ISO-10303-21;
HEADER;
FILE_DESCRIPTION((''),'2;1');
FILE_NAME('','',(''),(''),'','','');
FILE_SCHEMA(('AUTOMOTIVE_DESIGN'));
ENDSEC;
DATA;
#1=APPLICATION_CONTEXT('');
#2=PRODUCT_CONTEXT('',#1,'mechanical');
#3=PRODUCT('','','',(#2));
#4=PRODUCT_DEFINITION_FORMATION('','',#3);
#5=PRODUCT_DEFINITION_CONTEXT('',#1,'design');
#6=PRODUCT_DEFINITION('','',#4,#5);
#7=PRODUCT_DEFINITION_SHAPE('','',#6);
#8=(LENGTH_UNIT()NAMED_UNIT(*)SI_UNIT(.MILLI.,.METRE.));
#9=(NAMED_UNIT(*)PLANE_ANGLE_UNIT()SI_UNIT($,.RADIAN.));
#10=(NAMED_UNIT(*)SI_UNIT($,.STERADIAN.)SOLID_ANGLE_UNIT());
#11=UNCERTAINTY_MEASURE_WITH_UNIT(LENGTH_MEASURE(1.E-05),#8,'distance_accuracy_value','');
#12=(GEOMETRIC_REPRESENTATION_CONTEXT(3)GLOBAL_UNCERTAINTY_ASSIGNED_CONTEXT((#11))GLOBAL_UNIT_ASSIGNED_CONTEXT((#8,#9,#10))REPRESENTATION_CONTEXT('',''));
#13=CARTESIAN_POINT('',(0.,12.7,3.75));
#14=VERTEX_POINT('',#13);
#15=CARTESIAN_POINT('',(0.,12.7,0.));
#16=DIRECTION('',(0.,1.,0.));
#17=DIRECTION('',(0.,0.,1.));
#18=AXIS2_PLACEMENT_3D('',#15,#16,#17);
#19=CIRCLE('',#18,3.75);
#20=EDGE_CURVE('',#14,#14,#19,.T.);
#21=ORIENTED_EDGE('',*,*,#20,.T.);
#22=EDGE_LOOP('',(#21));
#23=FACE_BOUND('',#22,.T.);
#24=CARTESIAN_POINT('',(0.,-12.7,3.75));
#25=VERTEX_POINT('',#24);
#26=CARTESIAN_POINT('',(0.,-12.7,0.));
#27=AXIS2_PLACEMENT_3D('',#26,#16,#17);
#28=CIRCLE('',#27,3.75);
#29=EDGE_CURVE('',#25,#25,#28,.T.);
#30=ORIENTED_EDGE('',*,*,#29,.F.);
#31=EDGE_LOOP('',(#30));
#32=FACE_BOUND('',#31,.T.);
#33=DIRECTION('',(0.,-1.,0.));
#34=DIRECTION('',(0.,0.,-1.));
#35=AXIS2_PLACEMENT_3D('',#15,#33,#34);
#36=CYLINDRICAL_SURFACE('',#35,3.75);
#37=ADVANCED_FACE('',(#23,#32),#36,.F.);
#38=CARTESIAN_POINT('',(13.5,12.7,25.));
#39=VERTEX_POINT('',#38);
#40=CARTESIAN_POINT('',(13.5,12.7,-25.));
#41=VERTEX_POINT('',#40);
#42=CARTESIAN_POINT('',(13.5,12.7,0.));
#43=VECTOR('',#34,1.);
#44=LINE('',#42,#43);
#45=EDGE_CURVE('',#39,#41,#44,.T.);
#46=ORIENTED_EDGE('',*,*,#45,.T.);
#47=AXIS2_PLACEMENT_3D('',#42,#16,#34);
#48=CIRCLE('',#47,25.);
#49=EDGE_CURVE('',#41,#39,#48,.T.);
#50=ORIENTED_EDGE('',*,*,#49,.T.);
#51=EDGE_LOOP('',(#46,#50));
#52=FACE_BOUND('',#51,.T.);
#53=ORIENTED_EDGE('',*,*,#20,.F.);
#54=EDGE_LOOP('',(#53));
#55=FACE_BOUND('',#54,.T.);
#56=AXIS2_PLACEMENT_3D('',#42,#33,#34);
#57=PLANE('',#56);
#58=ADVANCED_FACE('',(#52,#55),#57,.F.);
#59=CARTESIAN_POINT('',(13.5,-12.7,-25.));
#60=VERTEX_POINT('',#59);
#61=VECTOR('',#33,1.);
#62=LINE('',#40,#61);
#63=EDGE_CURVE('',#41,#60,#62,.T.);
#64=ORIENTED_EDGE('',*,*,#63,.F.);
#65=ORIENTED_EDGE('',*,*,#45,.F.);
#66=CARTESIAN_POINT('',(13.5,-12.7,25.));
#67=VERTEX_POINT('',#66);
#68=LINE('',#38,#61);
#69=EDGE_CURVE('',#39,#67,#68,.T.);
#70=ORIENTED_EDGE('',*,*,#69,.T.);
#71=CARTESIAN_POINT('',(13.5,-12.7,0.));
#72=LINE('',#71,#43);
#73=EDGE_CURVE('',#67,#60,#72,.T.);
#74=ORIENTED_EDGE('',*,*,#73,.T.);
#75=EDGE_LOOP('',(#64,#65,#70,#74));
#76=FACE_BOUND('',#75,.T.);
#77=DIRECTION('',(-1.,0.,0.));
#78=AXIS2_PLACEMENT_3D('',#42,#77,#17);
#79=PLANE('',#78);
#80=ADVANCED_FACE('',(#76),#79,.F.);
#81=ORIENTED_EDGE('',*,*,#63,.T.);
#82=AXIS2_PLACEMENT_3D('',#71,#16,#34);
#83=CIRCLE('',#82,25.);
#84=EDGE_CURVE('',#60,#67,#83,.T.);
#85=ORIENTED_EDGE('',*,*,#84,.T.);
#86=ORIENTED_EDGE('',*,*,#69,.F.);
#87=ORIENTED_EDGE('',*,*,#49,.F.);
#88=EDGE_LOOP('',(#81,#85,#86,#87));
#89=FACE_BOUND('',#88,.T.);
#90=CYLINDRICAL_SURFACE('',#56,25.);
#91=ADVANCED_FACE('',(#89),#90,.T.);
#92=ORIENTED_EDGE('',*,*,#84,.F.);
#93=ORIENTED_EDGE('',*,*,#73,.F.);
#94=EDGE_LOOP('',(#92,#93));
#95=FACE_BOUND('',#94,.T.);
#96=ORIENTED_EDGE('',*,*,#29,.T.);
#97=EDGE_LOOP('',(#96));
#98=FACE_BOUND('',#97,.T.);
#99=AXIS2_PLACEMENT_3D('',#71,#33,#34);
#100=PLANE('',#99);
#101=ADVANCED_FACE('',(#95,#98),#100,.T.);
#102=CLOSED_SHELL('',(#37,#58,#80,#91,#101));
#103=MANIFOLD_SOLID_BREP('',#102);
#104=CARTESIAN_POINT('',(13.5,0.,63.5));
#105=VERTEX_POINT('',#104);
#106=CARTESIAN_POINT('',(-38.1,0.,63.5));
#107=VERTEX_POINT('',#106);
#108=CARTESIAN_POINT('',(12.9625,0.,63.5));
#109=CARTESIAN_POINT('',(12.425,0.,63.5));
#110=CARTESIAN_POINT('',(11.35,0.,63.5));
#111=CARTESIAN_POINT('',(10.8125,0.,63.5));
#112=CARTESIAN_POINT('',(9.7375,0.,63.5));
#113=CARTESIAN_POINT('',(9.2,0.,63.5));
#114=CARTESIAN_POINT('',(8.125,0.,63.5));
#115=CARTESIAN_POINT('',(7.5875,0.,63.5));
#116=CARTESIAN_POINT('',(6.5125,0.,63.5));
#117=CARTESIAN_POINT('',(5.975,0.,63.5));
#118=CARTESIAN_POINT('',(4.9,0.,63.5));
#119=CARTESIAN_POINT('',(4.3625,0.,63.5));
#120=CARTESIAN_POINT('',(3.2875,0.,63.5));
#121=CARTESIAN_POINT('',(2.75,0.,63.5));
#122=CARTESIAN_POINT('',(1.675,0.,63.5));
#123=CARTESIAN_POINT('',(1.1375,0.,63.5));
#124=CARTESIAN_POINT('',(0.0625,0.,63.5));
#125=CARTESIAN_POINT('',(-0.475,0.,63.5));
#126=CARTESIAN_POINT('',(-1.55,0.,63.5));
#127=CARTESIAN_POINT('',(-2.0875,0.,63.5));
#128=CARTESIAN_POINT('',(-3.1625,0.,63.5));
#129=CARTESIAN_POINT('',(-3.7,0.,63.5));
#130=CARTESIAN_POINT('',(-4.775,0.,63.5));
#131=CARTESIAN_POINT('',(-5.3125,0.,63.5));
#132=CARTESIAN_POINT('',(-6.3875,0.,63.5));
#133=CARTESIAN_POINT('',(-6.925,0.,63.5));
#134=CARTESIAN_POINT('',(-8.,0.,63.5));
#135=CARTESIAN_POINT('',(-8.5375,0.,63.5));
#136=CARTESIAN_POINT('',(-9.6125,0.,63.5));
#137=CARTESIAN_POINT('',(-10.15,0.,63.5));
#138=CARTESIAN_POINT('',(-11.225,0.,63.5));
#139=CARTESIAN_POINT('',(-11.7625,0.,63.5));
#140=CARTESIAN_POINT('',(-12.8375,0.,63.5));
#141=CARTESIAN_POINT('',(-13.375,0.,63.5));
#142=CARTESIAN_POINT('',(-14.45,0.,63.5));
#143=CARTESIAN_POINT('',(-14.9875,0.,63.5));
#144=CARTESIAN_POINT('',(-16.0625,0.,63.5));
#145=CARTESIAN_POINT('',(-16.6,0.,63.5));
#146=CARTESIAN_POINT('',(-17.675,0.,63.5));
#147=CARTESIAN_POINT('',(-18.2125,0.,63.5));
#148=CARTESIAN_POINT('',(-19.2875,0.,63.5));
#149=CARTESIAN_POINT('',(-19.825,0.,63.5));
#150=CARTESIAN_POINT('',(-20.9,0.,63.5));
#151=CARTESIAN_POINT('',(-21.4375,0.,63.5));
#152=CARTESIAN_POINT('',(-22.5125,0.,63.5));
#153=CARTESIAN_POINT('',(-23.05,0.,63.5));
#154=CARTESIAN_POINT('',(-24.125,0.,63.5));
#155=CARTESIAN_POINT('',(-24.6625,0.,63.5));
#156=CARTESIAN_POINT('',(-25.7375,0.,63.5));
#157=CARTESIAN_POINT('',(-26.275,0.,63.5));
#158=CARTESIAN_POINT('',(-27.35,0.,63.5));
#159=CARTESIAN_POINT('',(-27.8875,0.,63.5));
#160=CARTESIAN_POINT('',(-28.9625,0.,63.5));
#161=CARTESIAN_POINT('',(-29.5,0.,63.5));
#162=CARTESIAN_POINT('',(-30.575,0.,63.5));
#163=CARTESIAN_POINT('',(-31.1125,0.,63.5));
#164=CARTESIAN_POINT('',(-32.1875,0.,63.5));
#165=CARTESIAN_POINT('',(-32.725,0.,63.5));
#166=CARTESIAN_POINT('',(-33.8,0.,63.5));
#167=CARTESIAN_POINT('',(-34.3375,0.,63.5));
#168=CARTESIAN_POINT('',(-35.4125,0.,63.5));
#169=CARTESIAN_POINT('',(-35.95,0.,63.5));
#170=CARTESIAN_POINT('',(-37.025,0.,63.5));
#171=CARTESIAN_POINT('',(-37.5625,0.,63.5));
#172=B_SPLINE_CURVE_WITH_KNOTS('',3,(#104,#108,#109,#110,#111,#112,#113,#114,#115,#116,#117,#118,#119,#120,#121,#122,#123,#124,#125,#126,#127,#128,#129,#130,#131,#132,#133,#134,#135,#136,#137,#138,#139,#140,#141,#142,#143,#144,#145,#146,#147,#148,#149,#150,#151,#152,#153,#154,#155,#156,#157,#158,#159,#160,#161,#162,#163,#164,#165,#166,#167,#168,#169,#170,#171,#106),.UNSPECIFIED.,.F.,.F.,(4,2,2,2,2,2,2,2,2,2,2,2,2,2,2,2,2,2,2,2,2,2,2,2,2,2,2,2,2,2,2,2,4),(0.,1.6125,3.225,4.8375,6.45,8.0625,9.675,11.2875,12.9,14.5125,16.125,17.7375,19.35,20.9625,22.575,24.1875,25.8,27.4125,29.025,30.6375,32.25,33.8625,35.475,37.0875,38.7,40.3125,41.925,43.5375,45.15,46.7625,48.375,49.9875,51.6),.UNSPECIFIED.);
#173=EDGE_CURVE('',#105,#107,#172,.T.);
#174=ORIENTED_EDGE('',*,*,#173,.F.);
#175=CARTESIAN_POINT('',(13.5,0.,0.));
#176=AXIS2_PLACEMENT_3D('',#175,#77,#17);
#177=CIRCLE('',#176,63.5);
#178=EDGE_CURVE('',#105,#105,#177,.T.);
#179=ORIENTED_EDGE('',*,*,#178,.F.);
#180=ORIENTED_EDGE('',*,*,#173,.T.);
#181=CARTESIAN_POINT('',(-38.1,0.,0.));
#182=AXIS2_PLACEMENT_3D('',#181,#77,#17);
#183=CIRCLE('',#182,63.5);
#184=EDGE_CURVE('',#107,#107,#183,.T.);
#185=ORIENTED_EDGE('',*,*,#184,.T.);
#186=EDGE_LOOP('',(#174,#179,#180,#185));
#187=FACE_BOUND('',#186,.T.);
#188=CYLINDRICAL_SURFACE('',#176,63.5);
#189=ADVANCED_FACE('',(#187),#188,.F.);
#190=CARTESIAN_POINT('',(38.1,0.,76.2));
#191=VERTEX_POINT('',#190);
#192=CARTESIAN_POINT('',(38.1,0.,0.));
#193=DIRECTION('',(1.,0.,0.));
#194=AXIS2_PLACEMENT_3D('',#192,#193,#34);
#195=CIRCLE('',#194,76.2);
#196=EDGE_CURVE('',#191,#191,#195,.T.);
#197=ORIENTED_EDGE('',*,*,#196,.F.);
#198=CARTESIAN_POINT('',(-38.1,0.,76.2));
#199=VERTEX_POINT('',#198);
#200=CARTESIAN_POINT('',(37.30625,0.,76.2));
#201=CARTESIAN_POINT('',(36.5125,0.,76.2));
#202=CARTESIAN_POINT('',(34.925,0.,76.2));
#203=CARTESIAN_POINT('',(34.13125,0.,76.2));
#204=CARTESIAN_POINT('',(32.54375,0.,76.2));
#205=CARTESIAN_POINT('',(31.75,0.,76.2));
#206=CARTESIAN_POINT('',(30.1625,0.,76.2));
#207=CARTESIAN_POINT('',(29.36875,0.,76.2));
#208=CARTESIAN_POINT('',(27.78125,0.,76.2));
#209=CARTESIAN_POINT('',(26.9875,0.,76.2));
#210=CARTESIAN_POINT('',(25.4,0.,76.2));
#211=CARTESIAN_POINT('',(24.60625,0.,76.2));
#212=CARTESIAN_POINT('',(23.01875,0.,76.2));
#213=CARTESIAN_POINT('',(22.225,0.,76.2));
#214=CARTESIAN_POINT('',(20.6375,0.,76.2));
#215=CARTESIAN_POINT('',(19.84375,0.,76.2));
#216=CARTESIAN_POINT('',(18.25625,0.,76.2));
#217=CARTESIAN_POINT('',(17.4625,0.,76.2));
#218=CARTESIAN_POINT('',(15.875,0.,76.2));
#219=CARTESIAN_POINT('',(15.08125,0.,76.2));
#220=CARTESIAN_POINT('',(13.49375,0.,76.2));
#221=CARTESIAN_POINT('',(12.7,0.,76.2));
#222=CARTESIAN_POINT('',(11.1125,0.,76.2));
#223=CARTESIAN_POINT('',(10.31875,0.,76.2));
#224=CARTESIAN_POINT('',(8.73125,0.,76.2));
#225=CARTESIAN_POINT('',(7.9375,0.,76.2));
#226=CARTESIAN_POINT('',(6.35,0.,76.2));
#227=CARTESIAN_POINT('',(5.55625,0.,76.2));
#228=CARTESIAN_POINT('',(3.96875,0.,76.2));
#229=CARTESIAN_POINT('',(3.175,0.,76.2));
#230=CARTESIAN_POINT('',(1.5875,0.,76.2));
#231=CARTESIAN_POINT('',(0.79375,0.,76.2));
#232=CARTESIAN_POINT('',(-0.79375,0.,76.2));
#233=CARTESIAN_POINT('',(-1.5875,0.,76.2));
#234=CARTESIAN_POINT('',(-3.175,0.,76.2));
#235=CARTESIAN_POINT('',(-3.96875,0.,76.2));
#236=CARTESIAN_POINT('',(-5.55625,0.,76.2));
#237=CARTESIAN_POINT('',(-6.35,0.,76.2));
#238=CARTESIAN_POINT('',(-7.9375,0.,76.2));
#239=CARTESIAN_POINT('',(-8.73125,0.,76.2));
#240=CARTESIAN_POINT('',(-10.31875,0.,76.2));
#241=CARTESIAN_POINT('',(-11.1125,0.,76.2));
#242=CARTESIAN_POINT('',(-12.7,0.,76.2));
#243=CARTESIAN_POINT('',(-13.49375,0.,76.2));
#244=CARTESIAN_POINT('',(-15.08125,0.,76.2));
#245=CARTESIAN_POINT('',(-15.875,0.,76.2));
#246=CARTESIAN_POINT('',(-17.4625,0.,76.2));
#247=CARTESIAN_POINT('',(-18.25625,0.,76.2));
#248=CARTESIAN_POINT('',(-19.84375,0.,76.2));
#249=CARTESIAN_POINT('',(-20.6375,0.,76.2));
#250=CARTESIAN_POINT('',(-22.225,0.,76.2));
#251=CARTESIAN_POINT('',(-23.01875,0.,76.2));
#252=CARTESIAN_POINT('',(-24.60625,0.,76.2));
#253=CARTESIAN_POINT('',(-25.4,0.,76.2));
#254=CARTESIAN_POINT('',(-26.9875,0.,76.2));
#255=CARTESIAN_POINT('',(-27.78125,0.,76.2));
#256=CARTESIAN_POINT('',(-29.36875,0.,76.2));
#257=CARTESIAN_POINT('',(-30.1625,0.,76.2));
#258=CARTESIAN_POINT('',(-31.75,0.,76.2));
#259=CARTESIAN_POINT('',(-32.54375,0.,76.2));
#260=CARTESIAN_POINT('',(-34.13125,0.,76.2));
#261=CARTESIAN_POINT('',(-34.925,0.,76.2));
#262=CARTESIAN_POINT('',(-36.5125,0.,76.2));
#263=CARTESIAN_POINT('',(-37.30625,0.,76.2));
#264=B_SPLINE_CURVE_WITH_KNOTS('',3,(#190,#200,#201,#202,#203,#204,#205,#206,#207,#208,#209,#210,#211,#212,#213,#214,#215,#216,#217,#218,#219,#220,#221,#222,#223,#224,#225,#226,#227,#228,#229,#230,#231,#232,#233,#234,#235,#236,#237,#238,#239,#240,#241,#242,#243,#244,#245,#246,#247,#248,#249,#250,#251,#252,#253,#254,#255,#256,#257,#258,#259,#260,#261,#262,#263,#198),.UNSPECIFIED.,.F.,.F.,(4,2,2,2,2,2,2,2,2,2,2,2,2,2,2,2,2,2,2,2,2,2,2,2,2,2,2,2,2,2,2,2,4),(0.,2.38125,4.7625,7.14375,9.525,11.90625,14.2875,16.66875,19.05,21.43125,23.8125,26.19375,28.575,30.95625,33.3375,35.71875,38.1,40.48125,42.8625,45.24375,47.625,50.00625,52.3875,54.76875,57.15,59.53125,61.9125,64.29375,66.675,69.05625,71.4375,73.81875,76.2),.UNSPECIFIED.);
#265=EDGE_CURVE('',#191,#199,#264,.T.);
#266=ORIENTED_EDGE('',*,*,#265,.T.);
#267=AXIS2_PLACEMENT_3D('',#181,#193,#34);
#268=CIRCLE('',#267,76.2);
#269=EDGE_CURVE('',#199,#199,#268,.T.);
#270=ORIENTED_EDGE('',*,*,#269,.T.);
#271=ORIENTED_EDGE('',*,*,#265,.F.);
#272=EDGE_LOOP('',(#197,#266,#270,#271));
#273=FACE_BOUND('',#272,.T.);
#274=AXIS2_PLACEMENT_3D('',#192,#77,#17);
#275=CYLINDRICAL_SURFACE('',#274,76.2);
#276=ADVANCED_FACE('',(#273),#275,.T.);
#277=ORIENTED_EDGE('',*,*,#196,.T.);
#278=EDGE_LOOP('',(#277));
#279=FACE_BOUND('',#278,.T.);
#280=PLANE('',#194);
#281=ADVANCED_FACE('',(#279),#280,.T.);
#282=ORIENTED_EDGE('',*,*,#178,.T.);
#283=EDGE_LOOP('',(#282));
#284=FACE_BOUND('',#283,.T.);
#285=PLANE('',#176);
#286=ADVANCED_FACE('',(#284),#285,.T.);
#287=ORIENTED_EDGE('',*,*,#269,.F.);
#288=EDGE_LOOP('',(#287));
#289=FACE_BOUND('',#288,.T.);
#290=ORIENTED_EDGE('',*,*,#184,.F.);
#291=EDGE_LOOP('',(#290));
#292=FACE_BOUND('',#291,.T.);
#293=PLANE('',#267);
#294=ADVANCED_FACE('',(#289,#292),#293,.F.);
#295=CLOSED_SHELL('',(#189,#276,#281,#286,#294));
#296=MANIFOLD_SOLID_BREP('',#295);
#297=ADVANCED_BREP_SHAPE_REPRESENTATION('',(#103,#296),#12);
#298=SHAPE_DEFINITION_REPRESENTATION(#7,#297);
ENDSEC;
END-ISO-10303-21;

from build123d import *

# Parameters (mm, degrees)
SKETCH2_R           = 76.2
BOSS_EXTRUDE1_DEPTH = 38.1
SKETCH5_R           = 63.5
CUT_EXTRUDE2_DEPTH  = 51.6
SKETCH6_R           = 3.75
BOSS_EXTRUDE4_DEPTH = 12.7


with BuildPart() as part:
    # Sketch2 → Boss-Extrude1 (new, symmetric)
    with BuildSketch(Plane(origin=(0, 0, 0), x_dir=(0, 0, -1), z_dir=(1, 0, 0))):
        with Locations(Location((0, 0, 0), (0, 0, 180))):
            Circle(SKETCH2_R)
    extrude(amount=BOSS_EXTRUDE1_DEPTH, both=True)

    # Sketch5 → Cut-Extrude2 (cut)
    with BuildSketch(Plane.ZY.offset(38.1)):
        Circle(SKETCH5_R)
    extrude(amount=-CUT_EXTRUDE2_DEPTH, mode=Mode.SUBTRACT)


with BuildPart() as body_2:
    # Sketch6 → Boss-Extrude4 (new, symmetric)
    with BuildSketch(Plane(origin=(0, 0, 0), x_dir=(1, 0, 0), z_dir=(0, 1, 0))):
        with BuildLine():
            Line((13.5, 0), (13.5, 25))
            ThreePointArc((13.5, 25), (-11.5, 0), (13.5, -25))
            Line((13.5, -25), (13.5, 0))
        make_face()
        with Locations(Location((0, 0, 0), (0, 0, 270))):
            Circle(SKETCH6_R, mode=Mode.SUBTRACT)
    extrude(amount=BOSS_EXTRUDE4_DEPTH, both=True)


solid = Compound([part.part, body_2.part])
